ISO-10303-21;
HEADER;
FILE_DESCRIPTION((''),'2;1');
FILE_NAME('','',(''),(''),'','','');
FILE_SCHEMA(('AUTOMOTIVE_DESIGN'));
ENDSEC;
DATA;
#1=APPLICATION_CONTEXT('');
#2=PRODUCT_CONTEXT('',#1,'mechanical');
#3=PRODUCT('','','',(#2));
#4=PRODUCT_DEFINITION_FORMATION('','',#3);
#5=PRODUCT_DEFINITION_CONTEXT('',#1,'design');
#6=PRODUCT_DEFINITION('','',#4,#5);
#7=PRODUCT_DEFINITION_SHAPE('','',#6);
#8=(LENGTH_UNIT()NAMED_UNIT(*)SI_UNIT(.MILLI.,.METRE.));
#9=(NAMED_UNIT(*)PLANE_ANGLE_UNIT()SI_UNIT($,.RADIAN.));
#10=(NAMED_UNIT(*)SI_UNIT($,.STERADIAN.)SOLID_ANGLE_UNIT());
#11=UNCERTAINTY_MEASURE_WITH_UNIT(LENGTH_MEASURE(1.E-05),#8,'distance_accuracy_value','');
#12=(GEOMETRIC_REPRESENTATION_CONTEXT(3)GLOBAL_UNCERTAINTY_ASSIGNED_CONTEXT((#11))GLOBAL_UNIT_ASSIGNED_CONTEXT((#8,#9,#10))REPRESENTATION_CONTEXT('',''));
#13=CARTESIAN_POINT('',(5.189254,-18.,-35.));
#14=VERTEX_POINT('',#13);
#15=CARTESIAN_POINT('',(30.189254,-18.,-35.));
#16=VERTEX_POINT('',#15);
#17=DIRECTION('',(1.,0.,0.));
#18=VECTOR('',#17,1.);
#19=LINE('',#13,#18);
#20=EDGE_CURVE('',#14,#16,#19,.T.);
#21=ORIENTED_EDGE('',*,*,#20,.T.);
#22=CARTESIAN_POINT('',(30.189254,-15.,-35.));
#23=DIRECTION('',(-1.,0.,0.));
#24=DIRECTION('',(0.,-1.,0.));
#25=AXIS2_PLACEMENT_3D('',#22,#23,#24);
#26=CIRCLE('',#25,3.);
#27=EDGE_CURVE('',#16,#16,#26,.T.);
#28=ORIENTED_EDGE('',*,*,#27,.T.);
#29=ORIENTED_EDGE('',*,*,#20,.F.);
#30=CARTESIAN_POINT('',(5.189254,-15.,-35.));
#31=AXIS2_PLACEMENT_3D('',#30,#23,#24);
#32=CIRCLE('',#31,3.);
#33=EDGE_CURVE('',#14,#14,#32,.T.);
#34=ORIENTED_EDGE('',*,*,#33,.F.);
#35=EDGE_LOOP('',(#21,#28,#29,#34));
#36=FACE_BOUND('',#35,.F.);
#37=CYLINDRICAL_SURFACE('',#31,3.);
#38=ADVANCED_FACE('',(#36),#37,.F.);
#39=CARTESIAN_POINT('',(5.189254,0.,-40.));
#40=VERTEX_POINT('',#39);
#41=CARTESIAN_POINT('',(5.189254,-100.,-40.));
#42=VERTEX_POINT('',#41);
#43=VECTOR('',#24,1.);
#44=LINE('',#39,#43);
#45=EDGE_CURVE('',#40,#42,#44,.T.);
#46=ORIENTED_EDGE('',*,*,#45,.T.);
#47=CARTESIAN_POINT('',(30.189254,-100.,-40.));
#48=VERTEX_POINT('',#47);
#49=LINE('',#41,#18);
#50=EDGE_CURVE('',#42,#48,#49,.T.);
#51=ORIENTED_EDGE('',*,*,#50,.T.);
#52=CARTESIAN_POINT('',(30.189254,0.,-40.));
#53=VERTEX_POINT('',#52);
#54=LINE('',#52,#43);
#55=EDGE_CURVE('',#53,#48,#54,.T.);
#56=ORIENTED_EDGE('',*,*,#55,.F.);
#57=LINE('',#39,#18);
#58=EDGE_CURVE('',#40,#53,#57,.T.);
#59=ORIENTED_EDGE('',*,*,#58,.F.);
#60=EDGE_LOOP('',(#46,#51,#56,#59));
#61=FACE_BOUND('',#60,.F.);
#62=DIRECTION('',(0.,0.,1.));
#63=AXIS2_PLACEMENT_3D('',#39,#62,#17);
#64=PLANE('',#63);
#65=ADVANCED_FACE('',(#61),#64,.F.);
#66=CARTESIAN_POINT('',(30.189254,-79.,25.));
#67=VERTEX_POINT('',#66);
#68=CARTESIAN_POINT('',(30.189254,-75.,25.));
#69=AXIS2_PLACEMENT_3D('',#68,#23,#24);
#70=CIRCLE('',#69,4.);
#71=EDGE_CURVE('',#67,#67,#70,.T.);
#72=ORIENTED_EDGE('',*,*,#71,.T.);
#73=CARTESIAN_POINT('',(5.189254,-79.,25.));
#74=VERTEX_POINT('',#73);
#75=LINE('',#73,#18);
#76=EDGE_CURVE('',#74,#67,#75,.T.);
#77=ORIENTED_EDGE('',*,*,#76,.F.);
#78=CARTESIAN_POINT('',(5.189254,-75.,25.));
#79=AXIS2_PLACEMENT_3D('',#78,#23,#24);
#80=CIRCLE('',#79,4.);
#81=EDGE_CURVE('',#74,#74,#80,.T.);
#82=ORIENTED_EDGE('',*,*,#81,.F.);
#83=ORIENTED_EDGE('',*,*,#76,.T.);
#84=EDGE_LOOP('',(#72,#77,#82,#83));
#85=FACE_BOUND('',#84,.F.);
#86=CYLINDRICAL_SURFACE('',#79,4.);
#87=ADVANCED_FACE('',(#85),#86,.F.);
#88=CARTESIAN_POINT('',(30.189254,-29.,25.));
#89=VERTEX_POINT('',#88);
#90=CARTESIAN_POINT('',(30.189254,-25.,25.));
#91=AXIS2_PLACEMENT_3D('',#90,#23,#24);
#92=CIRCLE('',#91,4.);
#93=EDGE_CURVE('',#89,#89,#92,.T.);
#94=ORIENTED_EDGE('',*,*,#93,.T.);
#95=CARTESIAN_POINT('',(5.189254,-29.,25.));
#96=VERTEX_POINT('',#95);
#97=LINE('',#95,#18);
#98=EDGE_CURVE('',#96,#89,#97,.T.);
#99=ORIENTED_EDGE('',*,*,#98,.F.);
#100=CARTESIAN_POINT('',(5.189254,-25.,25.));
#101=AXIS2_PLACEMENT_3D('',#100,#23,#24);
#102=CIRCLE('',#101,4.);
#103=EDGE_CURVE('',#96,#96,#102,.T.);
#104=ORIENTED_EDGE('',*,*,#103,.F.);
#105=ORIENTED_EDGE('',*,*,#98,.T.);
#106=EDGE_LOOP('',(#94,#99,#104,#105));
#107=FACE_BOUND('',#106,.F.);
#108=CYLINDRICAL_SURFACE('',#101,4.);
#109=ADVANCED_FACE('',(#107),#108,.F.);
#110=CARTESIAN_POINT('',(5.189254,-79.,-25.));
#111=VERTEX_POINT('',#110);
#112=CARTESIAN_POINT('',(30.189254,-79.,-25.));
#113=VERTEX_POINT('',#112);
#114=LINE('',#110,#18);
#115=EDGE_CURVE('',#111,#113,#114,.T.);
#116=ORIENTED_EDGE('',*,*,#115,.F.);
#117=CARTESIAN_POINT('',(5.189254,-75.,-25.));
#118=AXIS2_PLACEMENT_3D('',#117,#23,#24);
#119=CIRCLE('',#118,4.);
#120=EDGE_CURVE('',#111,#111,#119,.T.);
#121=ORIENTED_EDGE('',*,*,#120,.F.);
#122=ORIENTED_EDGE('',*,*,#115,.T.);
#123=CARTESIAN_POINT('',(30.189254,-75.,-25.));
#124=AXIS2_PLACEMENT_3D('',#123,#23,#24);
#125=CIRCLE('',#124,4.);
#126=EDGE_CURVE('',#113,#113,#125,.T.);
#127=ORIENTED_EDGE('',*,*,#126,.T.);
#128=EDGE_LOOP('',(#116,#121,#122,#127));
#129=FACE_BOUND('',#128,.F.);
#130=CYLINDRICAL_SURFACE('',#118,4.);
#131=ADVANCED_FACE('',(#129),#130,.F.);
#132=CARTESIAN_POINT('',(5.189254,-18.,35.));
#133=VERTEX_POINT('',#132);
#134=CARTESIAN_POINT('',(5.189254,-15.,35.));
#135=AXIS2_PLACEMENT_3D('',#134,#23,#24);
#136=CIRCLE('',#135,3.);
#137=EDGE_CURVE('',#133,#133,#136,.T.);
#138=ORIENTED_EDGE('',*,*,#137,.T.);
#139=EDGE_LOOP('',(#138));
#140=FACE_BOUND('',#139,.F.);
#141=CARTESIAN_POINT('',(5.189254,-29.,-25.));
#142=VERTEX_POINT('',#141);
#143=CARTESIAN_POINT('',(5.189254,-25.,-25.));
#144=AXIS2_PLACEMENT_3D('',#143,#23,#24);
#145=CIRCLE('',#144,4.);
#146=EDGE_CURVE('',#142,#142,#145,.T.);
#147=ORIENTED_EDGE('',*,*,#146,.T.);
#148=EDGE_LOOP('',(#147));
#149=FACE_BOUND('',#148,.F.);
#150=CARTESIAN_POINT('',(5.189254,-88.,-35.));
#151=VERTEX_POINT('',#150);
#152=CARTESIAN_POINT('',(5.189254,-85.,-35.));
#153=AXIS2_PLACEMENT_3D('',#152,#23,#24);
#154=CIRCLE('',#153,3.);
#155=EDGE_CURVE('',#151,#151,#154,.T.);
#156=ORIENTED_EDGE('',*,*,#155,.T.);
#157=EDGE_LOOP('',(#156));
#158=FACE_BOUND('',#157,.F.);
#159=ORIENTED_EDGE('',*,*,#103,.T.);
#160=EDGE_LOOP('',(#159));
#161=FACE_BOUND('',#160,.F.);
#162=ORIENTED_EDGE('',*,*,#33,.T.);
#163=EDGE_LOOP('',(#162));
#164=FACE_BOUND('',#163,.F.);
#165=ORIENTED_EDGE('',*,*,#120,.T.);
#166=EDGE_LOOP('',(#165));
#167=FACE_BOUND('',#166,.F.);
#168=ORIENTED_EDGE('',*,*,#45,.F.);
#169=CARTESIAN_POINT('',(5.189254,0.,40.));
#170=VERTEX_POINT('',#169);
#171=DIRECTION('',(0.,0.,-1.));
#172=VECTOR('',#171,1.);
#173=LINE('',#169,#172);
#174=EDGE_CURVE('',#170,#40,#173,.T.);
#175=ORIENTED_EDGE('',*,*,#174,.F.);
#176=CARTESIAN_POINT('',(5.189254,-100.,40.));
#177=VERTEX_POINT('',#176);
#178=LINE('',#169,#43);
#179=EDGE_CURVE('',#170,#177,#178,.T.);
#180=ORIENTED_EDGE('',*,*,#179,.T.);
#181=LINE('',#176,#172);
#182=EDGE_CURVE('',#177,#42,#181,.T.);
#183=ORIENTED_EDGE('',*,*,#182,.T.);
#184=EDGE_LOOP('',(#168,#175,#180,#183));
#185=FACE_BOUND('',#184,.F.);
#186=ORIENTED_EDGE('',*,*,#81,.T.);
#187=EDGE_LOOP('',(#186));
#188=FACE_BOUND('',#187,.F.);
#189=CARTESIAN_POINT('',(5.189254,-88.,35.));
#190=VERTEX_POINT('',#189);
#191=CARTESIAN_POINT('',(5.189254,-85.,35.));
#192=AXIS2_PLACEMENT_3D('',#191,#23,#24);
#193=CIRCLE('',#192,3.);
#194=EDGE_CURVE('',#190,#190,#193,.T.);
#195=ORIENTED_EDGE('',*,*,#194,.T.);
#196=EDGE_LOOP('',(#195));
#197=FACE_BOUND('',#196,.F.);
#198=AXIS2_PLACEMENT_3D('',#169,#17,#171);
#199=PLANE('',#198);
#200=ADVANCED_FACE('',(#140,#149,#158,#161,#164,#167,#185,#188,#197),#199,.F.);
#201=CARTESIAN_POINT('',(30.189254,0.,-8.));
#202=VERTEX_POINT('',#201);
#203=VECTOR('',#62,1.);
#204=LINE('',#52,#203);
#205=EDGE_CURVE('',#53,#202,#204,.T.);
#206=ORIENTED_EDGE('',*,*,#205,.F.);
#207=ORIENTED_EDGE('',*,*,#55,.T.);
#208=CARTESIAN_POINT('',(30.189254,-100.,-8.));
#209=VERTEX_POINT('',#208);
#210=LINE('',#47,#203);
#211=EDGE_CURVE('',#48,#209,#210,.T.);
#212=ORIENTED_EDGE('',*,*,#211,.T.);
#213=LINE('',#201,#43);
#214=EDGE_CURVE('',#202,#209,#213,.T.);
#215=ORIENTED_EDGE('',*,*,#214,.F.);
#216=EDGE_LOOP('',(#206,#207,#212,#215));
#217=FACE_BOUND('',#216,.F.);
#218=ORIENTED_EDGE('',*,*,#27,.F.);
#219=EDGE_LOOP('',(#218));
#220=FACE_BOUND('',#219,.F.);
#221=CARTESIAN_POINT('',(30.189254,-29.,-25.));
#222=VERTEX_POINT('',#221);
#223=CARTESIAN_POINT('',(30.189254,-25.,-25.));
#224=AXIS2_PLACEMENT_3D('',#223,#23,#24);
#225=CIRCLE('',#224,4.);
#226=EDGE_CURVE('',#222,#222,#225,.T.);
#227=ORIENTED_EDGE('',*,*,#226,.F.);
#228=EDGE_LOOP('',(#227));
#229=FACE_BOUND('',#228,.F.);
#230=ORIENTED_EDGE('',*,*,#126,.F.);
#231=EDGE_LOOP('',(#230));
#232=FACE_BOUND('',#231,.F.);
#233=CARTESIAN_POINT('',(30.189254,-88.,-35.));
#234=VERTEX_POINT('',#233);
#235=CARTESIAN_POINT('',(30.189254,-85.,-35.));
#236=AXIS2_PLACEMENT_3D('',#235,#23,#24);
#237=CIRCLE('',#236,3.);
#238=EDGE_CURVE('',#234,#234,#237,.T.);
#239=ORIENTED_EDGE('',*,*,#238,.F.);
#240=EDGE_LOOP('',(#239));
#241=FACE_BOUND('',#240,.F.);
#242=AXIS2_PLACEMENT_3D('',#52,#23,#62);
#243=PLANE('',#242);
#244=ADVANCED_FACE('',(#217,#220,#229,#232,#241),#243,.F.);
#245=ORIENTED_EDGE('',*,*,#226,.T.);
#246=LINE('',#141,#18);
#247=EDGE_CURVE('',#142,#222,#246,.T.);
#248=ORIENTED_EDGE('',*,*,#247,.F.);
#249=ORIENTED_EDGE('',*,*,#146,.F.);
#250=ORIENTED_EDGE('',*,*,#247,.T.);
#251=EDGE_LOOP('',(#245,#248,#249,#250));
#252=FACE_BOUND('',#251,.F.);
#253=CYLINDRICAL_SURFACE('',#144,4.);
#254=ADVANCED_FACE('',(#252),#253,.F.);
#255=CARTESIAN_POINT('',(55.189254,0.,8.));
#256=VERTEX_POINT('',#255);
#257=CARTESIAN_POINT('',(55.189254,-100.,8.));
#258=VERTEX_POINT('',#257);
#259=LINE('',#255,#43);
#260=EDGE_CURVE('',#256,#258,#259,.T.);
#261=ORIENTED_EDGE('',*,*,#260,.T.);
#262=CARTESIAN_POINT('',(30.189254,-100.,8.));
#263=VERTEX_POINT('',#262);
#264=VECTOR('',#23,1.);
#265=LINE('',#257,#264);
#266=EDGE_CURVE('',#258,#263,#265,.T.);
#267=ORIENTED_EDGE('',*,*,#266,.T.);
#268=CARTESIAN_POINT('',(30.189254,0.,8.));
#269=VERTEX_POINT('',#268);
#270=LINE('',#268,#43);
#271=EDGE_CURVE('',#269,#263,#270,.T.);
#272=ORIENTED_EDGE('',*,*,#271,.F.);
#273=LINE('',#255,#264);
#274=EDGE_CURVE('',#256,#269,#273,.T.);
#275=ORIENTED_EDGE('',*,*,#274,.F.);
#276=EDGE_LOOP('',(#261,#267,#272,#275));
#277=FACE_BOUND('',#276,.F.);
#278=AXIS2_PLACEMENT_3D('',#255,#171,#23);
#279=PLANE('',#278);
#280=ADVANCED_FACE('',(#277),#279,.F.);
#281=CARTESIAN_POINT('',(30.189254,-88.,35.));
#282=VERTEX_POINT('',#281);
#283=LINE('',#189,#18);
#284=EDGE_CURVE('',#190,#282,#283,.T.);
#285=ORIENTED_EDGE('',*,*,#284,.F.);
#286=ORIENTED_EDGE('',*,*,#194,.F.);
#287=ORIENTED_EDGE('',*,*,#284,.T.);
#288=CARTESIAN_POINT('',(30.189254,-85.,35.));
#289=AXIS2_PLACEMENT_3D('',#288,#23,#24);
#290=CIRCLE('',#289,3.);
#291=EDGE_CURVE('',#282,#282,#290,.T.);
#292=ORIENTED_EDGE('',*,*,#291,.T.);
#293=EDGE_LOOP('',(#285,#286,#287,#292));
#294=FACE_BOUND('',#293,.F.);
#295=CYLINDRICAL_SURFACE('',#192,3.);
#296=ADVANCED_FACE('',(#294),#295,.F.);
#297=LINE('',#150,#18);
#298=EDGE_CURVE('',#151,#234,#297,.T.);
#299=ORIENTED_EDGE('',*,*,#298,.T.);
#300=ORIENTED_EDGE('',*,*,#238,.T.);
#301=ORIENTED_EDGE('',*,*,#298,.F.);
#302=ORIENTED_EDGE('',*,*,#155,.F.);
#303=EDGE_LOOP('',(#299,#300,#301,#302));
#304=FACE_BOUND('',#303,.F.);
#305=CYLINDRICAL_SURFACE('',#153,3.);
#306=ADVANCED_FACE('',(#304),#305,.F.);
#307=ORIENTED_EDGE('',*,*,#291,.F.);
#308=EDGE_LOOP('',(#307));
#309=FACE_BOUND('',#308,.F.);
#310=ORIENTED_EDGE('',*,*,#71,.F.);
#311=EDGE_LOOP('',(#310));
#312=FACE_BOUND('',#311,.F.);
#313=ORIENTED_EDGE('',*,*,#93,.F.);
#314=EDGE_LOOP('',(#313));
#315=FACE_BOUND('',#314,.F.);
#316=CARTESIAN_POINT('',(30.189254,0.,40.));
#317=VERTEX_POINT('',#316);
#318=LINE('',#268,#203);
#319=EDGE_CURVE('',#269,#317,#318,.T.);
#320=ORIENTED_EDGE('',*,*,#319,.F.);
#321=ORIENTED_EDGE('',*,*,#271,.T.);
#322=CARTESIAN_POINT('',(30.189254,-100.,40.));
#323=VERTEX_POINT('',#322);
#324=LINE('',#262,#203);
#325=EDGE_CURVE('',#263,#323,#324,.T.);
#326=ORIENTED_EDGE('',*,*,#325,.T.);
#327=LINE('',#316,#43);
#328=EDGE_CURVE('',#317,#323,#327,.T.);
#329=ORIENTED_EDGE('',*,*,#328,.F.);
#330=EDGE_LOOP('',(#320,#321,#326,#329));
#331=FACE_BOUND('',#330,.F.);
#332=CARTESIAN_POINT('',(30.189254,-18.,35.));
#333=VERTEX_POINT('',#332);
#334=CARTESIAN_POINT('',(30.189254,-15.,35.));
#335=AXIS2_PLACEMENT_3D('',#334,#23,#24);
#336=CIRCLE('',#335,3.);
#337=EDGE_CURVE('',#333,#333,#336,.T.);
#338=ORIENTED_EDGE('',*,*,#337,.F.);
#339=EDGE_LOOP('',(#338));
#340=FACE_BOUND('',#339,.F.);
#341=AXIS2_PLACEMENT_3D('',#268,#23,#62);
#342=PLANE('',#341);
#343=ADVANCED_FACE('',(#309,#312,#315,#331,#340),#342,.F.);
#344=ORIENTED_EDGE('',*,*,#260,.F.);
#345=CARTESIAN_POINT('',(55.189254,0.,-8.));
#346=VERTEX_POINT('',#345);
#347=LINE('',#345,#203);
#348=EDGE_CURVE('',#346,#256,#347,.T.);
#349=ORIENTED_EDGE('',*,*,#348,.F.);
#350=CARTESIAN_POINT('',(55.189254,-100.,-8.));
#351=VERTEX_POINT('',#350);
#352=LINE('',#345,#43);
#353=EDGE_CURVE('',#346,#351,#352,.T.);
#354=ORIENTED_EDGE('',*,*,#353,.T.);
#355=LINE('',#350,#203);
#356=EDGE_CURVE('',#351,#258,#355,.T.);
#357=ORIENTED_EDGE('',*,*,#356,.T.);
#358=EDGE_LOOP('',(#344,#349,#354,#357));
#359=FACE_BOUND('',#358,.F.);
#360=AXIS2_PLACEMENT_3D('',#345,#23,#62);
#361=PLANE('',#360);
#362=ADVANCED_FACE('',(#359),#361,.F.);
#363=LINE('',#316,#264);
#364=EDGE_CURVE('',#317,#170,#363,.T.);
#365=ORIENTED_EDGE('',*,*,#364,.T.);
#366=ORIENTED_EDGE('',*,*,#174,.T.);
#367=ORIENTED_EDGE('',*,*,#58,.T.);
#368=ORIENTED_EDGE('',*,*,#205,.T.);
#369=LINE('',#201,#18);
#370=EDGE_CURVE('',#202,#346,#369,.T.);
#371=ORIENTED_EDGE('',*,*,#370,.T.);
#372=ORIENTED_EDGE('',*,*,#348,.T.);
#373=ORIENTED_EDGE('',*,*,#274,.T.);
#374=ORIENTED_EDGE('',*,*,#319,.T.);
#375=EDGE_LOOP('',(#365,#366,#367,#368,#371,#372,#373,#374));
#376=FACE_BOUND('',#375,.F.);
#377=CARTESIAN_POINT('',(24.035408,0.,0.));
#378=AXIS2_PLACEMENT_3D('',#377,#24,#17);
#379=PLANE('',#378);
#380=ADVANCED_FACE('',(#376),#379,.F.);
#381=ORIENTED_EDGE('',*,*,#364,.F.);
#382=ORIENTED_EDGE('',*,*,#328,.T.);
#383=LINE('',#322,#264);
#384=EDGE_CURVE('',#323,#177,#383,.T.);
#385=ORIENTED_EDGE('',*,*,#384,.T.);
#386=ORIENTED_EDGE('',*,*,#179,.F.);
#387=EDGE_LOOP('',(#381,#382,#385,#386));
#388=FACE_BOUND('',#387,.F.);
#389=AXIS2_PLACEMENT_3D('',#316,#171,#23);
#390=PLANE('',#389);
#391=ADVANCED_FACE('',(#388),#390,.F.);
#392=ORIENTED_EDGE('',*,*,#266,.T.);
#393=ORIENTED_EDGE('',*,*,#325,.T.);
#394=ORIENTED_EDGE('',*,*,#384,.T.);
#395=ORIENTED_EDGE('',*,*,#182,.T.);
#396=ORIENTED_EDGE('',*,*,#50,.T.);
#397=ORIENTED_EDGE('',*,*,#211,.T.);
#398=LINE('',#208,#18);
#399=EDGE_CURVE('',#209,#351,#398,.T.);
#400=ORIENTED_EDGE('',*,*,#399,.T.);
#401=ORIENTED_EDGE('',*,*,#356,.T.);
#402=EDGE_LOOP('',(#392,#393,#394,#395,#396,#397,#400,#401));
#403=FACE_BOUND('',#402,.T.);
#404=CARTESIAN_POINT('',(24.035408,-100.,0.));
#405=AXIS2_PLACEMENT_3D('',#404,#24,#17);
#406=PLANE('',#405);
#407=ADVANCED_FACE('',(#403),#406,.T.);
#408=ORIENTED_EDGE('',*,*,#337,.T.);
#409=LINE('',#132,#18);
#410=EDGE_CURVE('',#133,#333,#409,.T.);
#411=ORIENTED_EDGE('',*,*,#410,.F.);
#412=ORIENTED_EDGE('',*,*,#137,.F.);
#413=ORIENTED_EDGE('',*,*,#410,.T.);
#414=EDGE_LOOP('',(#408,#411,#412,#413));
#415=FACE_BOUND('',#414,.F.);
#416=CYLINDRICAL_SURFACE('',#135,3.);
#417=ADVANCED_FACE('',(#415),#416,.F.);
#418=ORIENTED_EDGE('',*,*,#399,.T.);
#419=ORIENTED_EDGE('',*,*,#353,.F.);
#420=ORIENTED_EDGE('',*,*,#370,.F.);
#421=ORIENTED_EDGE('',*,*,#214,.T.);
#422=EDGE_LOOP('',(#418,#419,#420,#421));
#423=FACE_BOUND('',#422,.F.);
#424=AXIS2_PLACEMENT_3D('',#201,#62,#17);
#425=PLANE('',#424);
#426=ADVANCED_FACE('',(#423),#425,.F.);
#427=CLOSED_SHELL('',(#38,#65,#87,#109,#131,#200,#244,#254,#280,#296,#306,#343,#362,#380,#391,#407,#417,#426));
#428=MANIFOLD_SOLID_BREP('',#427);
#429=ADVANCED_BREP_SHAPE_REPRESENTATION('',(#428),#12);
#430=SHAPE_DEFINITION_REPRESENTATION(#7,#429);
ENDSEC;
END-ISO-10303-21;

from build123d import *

# Parameters (mm, degrees)
F1_DEPTH = 100
F2_R     = 4
F2_R_2   = 3
F3_DEPTH = 100


with BuildPart() as f1:
    # F0 (on Front) → F1 (new body)
    with BuildSketch(Plane.XZ):
        Polygon((5.189254, 40), (5.189254, 0), (5.189254, -40), (30.189254, -40), (30.189254, -8), (55.189254, -8), (55.189254, 8), (30.189254, 8), (30.189254, 40), align=None)
    extrude(amount=F1_DEPTH)

    # F2 (on face) → F3 (cut)
    with BuildSketch(Plane(origin=(5.189254, 0, 0), x_dir=(0, -1, 0), z_dir=(-1, 0, 0))):
        with Locations((25, 25)):
            Circle(F2_R)
        with Locations((75, 25)):
            Circle(F2_R)
        with Locations((25, -25)):
            Circle(F2_R)
        with Locations((75, -25)):
            Circle(F2_R)
        with Locations((15, 35)):
            Circle(F2_R_2)
        with Locations((85, 35)):
            Circle(F2_R_2)
        with Locations((15, -35)):
            Circle(F2_R_2)
        with Locations((85, -35)):
            Circle(F2_R_2)
    extrude(amount=-F3_DEPTH, mode=Mode.SUBTRACT)


solid = f1.part
